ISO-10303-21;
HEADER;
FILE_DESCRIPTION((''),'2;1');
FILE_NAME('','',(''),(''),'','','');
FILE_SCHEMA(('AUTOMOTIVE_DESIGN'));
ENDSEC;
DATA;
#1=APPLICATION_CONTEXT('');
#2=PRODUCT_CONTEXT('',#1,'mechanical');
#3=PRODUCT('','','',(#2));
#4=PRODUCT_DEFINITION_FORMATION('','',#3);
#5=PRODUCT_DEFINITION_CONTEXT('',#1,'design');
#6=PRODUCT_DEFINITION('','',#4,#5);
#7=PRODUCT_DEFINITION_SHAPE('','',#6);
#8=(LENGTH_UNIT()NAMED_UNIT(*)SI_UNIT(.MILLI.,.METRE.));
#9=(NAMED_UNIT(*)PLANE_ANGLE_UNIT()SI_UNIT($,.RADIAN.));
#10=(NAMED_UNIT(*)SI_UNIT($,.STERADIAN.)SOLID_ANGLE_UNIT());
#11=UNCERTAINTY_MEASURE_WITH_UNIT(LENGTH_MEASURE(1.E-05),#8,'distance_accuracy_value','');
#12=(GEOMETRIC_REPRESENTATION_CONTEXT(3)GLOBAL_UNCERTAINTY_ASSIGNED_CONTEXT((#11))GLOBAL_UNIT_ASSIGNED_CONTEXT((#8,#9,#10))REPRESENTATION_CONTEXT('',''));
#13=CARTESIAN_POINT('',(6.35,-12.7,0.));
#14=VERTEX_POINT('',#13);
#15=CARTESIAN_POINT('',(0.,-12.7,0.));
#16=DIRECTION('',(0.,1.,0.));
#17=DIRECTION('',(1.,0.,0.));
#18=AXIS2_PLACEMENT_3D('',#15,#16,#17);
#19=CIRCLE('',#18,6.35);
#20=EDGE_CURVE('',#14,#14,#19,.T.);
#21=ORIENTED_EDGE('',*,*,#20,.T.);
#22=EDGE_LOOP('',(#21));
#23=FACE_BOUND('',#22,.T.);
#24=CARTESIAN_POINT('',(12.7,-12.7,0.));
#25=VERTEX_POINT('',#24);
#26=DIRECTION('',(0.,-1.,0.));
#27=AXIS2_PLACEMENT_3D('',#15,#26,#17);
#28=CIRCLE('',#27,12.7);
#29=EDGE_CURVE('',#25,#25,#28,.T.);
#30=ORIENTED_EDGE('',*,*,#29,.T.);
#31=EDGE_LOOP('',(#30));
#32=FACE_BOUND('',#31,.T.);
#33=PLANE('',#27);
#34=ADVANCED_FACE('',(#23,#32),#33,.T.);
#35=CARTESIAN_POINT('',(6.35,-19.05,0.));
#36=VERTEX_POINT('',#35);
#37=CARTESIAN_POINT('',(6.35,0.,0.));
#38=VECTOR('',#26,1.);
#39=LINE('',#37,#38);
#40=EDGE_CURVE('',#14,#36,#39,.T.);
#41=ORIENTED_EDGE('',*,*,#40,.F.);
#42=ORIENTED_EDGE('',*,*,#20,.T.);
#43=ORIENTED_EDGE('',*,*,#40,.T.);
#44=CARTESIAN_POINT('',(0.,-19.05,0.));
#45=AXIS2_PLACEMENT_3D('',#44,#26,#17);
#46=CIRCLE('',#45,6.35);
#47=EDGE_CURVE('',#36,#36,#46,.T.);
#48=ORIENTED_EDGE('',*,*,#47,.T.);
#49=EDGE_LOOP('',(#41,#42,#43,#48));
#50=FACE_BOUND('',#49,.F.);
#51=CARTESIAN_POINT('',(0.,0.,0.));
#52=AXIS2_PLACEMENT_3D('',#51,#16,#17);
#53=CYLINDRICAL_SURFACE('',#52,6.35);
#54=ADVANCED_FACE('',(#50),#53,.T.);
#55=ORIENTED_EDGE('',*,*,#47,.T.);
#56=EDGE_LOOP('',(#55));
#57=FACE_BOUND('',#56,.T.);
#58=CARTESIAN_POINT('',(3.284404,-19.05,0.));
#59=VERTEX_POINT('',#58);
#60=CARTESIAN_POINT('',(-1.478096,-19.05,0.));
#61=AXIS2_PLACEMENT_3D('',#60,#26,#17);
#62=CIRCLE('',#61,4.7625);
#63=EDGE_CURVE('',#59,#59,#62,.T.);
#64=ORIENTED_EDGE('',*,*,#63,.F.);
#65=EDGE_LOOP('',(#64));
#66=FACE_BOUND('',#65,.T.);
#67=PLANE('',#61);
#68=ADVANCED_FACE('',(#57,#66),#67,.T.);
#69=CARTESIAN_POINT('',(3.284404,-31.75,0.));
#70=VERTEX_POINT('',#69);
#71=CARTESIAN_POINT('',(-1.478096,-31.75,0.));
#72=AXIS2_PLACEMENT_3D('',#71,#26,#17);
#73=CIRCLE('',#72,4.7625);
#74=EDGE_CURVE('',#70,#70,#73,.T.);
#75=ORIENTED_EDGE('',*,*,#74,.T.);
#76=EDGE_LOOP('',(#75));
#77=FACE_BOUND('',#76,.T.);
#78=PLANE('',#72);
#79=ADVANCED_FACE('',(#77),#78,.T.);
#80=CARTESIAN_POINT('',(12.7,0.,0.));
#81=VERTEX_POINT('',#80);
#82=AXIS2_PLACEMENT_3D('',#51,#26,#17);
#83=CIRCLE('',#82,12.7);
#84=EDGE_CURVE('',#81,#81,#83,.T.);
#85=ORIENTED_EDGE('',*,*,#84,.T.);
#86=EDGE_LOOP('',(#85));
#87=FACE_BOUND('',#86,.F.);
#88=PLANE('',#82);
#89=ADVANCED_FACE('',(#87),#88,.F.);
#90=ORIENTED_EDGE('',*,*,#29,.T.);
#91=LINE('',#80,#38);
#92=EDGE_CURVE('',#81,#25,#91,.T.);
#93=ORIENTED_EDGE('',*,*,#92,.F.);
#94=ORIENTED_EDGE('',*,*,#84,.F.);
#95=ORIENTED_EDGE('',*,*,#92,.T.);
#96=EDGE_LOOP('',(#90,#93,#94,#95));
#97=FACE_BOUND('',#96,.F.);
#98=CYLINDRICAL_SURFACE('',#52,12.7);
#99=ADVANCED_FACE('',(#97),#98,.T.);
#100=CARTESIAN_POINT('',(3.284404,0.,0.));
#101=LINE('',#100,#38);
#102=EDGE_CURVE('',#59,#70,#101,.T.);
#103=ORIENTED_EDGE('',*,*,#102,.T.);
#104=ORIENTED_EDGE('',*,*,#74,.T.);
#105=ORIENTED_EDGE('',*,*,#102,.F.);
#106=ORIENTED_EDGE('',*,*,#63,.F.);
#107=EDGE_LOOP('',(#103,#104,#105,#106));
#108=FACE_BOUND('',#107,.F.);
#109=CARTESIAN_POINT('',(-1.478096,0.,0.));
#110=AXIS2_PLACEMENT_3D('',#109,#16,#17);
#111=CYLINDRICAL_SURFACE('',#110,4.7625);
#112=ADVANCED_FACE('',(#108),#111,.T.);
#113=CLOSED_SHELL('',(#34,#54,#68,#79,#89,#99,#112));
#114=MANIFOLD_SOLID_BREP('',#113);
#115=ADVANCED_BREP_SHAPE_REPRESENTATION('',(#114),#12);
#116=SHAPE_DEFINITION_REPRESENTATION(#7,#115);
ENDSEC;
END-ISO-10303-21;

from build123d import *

# Parameters (mm, degrees)
F0_R     = 12.7
F0_R_2   = 6.35
F0_R_3   = 4.7625
F1_DEPTH = 12.7
F2_DEPTH = 19.05
F3_DEPTH = 31.75


with BuildPart() as f1:
    # F0 (on Front) → F1 (new body)
    with BuildSketch(Plane.XZ):
        Circle(F0_R)
        Circle(F0_R_2, mode=Mode.SUBTRACT)
        with Locations((-1.478096, 0)):
            Circle(F0_R_3)
        Circle(F0_R_2)
        with Locations((-1.478096, 0)):
            Circle(F0_R_3, mode=Mode.SUBTRACT)
    extrude(amount=F1_DEPTH)

    # F0 (on Front) → F2 (join)
    with BuildSketch(Plane.XZ):
        with Locations((-1.478096, 0)):
            Circle(F0_R_3)
        Circle(F0_R_2)
        with Locations((-1.478096, 0)):
            Circle(F0_R_3, mode=Mode.SUBTRACT)
    extrude(amount=F2_DEPTH)

    # F0 (on Front) → F3 (join)
    with BuildSketch(Plane.XZ):
        with Locations((-1.478096, 0)):
            Circle(F0_R_3)
    extrude(amount=F3_DEPTH)


solid = f1.part
